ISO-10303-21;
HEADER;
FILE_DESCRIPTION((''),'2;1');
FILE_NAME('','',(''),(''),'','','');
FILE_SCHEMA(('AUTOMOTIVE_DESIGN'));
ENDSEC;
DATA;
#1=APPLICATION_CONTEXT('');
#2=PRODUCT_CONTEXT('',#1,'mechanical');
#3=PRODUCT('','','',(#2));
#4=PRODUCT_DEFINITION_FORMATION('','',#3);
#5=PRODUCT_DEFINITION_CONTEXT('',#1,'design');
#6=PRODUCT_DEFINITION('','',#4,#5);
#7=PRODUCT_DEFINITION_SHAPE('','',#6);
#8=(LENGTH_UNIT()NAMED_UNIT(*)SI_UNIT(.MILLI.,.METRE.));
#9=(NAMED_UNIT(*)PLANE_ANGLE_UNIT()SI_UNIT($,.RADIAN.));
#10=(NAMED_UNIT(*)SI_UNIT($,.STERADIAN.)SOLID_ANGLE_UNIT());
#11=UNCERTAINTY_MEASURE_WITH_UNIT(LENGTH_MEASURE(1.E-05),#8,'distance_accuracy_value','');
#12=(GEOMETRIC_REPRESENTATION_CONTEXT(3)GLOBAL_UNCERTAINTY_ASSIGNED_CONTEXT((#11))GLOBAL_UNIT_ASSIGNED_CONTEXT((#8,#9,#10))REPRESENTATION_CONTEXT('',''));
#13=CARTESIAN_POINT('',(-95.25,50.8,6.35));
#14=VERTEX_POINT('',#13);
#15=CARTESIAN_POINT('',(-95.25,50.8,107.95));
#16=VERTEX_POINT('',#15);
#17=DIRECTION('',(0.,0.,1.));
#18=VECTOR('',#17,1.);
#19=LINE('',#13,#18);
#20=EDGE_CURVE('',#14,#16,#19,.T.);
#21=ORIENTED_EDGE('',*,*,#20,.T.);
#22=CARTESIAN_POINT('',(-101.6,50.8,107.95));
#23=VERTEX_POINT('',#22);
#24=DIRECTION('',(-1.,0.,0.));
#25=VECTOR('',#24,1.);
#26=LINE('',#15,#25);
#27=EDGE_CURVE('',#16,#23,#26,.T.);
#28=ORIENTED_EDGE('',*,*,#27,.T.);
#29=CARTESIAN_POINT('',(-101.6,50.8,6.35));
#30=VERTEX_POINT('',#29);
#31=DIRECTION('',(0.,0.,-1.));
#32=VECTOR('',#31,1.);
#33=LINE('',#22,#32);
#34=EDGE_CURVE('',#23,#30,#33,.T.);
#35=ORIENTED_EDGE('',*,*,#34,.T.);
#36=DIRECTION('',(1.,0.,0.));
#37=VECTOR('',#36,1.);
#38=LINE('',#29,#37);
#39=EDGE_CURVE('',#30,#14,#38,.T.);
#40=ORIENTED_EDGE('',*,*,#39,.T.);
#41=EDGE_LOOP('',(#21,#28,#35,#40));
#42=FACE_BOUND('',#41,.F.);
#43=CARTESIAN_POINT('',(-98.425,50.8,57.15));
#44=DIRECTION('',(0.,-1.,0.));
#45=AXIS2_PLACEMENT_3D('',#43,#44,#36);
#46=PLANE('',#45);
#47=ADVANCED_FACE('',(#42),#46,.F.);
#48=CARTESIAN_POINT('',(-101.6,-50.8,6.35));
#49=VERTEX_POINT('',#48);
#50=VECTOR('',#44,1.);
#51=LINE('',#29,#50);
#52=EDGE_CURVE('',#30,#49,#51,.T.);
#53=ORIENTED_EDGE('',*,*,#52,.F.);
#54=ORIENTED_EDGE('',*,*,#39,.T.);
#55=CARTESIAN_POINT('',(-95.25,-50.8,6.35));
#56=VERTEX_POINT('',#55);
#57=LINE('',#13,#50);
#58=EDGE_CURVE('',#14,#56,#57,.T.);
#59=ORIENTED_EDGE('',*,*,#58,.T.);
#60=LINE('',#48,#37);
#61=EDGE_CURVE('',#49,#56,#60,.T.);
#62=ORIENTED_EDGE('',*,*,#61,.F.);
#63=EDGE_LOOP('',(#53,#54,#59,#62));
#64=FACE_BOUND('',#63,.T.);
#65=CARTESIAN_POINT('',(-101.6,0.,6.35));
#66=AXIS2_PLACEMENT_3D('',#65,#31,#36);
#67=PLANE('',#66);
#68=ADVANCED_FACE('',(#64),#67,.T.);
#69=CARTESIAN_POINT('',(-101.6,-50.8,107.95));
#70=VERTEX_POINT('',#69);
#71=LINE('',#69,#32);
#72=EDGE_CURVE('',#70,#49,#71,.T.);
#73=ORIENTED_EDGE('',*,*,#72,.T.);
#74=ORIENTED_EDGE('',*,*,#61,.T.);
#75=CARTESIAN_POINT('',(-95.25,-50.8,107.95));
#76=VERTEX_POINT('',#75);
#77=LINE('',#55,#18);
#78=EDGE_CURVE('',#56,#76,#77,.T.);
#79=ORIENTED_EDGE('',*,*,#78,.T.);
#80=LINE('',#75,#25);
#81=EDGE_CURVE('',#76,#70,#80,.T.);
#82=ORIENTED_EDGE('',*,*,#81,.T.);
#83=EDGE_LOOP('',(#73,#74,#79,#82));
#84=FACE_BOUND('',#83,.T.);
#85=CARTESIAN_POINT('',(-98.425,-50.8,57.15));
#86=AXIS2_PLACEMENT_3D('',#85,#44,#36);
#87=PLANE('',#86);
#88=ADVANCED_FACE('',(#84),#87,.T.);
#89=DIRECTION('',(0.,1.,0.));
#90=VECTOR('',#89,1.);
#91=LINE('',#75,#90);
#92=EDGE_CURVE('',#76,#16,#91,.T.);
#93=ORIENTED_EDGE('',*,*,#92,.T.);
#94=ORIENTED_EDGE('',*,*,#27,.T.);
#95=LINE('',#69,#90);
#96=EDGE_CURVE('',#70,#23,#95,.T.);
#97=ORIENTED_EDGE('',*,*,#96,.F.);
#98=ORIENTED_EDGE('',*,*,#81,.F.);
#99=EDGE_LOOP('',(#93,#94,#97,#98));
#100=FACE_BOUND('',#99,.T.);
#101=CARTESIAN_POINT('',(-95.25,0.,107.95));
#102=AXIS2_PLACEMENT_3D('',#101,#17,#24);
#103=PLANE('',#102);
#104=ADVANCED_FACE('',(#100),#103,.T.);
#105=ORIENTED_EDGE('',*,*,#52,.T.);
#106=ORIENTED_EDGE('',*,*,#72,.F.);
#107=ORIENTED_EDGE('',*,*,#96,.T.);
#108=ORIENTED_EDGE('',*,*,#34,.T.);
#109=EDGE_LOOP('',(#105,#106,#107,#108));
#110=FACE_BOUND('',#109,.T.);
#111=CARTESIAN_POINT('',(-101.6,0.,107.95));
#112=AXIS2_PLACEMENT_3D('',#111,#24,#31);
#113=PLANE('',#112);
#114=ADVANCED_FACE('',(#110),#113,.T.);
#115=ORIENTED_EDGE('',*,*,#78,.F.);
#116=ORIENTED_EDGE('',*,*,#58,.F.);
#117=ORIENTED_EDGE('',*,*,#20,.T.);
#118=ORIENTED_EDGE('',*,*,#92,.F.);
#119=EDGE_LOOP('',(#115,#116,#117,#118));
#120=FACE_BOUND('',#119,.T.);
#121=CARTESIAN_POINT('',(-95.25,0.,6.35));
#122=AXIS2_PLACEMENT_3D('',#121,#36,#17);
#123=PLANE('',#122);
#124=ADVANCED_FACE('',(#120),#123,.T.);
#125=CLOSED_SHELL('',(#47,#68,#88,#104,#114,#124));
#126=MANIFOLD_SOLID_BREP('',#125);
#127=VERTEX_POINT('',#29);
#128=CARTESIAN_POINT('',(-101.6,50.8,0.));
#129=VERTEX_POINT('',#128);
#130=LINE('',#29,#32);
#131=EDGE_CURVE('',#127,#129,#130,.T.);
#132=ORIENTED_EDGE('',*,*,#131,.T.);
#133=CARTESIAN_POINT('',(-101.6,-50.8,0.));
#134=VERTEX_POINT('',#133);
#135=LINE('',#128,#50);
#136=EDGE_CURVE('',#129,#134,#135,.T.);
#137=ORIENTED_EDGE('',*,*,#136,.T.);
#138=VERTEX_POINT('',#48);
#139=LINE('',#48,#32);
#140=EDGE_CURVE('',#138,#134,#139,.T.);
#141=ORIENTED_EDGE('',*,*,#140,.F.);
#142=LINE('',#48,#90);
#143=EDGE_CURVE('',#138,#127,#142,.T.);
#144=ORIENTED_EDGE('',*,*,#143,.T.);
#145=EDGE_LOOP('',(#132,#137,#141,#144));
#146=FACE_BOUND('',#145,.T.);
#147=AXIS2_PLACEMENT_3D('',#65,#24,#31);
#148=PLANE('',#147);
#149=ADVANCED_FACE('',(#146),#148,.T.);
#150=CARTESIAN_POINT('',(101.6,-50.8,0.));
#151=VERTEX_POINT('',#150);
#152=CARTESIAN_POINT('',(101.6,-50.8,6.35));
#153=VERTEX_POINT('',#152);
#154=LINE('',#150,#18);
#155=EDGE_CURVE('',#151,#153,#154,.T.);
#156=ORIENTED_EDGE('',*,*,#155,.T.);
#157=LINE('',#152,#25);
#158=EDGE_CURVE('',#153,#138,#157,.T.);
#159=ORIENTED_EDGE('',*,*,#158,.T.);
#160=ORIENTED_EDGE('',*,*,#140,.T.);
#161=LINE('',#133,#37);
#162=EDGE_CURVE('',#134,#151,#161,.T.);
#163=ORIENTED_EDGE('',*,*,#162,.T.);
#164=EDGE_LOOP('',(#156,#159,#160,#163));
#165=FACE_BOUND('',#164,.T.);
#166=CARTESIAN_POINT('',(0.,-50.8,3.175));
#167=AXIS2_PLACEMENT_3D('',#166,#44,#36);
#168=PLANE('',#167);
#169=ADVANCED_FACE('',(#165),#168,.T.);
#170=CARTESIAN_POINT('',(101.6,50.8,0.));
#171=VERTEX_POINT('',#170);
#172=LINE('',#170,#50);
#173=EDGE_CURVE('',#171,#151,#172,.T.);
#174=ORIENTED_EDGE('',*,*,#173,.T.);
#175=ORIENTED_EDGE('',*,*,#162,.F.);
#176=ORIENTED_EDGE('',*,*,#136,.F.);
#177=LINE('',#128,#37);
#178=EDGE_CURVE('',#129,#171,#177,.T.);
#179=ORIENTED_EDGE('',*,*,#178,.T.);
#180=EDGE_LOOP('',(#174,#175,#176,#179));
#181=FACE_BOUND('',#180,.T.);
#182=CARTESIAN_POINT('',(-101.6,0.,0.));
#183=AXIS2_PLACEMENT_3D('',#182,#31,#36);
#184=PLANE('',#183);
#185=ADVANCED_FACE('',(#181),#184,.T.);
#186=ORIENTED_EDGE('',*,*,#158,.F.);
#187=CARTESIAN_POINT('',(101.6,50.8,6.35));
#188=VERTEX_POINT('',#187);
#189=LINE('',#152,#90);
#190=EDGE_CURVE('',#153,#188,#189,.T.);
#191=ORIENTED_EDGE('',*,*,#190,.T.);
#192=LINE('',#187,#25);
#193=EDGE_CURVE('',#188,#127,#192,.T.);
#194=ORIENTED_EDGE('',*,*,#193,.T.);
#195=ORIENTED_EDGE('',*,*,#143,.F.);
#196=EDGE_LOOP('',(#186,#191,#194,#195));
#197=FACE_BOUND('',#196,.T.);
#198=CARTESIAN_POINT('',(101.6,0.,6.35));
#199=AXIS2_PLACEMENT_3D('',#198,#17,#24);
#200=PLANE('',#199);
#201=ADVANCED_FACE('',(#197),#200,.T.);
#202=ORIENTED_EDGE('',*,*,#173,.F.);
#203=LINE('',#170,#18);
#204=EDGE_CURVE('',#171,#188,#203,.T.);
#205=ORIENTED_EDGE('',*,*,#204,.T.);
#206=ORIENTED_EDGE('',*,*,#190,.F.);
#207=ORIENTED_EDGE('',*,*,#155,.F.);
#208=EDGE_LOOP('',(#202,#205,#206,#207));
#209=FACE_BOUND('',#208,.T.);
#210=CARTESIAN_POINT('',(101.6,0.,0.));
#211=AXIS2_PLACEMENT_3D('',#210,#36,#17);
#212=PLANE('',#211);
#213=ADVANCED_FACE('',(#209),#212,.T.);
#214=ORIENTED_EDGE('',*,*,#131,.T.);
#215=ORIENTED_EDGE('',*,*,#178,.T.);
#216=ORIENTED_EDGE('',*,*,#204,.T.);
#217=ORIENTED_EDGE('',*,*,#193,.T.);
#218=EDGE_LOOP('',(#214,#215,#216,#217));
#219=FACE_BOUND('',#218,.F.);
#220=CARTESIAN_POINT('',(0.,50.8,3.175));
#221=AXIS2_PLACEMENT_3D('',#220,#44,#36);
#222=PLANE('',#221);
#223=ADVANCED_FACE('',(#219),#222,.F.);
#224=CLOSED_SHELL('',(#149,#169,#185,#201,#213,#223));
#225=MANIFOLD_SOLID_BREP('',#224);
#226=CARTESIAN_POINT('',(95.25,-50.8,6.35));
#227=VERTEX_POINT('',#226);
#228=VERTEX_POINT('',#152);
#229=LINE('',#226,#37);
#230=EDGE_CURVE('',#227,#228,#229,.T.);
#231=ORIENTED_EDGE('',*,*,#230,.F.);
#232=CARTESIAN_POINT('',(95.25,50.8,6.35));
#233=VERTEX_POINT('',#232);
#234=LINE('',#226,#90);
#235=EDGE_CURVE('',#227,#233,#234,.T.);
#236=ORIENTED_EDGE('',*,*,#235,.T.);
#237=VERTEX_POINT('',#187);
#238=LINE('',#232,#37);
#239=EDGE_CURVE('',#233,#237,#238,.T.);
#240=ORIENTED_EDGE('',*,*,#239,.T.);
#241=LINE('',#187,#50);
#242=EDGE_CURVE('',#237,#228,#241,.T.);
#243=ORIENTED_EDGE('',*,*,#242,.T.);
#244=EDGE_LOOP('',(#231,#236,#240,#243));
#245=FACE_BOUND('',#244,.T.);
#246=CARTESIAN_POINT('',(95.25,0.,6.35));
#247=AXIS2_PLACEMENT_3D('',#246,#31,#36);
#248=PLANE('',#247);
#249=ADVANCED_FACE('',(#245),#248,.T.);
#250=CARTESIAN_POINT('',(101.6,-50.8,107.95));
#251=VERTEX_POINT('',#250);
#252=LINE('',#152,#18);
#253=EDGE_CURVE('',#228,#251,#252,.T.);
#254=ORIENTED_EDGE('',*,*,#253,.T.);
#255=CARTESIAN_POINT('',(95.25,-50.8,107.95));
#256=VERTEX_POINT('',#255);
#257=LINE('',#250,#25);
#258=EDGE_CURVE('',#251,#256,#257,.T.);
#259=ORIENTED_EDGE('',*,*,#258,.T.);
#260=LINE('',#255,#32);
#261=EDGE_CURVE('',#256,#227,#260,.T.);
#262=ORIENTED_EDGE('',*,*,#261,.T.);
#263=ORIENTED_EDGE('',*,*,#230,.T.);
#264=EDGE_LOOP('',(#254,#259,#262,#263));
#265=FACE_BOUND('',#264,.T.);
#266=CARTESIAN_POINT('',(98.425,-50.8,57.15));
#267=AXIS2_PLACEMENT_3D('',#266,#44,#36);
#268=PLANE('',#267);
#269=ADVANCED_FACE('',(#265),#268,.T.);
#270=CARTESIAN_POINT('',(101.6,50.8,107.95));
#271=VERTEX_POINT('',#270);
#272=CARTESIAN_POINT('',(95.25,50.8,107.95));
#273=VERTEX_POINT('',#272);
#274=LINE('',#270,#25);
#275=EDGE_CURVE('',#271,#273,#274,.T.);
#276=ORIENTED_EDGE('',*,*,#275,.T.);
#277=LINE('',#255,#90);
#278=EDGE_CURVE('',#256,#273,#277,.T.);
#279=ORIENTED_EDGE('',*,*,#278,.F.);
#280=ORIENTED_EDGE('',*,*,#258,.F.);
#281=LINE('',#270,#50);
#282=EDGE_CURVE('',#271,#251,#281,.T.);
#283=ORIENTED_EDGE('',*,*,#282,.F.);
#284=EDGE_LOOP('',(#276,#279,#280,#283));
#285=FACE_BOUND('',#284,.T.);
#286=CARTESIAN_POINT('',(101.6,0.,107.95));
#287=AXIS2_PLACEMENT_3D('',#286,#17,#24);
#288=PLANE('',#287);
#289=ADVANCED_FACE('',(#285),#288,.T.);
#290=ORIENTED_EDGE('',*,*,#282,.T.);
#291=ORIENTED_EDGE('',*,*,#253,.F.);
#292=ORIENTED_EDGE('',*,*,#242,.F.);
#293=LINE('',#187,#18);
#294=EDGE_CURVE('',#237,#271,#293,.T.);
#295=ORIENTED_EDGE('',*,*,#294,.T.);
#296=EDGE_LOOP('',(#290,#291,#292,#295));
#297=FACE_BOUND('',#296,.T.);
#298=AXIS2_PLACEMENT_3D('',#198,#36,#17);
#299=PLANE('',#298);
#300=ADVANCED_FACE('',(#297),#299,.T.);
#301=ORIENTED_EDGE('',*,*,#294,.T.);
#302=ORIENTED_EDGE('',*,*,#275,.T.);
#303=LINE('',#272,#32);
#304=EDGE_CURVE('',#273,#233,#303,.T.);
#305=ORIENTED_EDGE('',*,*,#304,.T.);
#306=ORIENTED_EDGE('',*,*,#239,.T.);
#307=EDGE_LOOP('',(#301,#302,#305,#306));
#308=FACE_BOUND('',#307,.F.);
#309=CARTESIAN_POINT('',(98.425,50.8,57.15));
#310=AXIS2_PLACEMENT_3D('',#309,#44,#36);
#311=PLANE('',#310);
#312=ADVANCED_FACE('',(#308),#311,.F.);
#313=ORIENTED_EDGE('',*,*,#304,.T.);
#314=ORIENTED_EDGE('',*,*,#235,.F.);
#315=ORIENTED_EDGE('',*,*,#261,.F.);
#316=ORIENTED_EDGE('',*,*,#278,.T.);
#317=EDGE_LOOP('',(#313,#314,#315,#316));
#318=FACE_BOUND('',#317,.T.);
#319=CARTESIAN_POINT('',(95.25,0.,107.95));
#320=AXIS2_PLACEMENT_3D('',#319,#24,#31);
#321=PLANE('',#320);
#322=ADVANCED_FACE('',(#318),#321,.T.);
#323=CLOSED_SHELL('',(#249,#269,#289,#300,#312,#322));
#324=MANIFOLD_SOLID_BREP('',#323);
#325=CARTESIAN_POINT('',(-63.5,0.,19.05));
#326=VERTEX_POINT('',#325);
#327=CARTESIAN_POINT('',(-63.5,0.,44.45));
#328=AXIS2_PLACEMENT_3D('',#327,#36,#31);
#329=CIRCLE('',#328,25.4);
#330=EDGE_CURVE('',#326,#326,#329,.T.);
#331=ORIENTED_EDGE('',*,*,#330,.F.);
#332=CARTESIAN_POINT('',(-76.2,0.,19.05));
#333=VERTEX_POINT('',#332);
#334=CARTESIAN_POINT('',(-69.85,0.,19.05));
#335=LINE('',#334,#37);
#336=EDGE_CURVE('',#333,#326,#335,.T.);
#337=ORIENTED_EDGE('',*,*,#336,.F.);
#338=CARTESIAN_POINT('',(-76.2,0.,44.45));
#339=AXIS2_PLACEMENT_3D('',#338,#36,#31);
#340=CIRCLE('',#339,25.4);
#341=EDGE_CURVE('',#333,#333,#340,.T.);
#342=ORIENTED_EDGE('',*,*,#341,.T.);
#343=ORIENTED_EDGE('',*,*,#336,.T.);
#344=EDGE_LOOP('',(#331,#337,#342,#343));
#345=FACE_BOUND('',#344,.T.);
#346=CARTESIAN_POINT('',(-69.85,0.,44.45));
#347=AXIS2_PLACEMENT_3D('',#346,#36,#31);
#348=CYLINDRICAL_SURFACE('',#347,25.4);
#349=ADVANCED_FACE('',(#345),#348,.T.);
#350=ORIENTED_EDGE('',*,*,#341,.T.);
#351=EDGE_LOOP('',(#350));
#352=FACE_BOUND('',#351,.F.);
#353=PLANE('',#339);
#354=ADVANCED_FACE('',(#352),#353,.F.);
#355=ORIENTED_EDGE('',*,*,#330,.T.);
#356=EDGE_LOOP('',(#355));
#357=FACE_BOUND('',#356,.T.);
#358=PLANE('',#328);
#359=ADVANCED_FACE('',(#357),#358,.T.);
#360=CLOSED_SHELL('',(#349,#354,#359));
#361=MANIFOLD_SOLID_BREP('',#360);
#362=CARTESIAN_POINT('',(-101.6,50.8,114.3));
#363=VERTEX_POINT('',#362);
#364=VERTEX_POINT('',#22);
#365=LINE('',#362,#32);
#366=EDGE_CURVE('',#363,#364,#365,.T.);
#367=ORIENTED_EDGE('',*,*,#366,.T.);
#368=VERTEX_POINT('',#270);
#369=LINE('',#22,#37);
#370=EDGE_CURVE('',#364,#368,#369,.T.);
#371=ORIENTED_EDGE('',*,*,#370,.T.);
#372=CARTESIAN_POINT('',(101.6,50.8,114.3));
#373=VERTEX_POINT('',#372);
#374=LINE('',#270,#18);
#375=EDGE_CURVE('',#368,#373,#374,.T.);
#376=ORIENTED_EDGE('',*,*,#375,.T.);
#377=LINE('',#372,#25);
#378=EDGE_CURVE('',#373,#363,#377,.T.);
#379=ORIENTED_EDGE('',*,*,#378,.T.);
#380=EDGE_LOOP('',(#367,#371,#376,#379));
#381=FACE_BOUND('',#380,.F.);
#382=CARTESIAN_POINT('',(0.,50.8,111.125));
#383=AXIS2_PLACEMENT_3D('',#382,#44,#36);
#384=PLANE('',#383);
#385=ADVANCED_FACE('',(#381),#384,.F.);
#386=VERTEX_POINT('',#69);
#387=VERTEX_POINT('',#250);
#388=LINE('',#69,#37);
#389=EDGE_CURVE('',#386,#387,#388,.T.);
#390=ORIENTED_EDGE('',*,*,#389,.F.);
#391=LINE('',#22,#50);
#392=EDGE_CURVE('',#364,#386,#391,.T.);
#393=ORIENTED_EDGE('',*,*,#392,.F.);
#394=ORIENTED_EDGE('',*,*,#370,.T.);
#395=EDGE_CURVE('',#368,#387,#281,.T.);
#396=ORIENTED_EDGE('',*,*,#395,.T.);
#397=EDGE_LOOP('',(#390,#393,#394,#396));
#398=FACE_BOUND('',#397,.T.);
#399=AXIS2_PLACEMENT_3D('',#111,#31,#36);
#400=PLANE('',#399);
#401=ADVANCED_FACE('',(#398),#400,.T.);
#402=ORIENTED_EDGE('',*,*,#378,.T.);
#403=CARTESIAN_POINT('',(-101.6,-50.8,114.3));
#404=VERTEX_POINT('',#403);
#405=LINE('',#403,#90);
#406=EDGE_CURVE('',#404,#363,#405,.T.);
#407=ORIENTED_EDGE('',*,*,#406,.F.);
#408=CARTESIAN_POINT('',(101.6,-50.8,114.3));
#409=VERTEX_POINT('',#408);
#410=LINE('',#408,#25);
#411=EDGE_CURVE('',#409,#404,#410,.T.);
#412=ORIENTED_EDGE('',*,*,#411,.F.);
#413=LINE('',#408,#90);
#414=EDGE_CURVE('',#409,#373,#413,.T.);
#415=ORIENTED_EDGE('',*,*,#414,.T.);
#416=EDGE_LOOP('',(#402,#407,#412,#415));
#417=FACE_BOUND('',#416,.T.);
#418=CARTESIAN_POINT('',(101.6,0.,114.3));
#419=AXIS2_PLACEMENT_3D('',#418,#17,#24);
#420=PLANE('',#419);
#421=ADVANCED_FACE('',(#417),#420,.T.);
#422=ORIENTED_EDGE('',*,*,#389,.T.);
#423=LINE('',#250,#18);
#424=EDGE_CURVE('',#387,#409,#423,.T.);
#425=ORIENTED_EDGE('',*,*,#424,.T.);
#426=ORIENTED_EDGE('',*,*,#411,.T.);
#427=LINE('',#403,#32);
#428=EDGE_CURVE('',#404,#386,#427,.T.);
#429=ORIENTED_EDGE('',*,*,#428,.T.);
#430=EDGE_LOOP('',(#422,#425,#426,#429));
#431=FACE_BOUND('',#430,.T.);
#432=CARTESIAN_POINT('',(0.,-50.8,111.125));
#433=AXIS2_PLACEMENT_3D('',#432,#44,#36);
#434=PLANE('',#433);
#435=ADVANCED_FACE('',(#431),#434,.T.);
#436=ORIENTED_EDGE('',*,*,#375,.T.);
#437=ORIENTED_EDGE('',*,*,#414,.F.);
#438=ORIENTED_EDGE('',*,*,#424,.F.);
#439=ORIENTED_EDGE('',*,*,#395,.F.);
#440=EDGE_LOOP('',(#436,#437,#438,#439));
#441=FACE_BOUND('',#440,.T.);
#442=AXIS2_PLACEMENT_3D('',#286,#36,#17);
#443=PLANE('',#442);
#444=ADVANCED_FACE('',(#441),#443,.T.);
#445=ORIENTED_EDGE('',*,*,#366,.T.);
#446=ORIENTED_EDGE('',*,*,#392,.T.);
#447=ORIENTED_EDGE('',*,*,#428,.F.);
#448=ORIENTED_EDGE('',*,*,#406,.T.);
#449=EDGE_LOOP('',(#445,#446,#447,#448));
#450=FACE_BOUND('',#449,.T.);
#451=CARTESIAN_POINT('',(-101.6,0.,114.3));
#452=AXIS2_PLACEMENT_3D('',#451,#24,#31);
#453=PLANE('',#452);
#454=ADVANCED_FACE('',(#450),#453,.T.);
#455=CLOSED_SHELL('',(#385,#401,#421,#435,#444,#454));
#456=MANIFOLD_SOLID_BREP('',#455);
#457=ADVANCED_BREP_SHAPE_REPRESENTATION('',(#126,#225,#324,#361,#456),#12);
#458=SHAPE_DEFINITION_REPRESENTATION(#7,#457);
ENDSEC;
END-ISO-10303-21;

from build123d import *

# Parameters (mm, degrees)
F2_DEPTH      = 50.8
F3_DEPTH      = 50.8
F3_DEPTH_BACK = 50.8
F1_W          = 12.7
F1_H          = 25.4


with BuildPart() as f2:
    # F1 (on Front) → F2 (new body, symmetric)
    with BuildSketch(Plane.XZ):
        Polygon((-101.6, 114.3), (-101.6, 107.95), (-95.25, 107.95), (95.25, 107.95), (101.6, 107.95), (101.6, 114.3), align=None)
    extrude(amount=F2_DEPTH, both=True)


with BuildPart() as f2b:
    # F1 (on Front) → F2, piece 2 (new body, symmetric)
    with BuildSketch(Plane.XZ):
        Polygon((-101.6, 6.35), (-101.6, 0), (101.6, 0), (101.6, 6.35), (95.25, 6.35), (-95.25, 6.35), align=None)
    extrude(amount=F2_DEPTH, both=True)


with BuildPart() as f3:
    # F1 (on Front) → F3 (new body, two sides)
    with BuildSketch(Plane.XZ) as f3_sk:
        Polygon((-101.6, 107.95), (-101.6, 6.35), (-95.25, 6.35), (-95.25, 57.15), (-95.25, 107.95), align=None)
    extrude(amount=F3_DEPTH)
    extrude(f3_sk.sketch, amount=-F3_DEPTH_BACK)


with BuildPart() as f3b:
    # F1 (on Front) → F3, piece 2 (new body, two sides)
    with BuildSketch(Plane.XZ) as f3_2_sk:
        Polygon((95.25, 6.35), (101.6, 6.35), (101.6, 107.95), (95.25, 107.95), (95.25, 57.15), align=None)
    extrude(amount=F3_DEPTH)
    extrude(f3_2_sk.sketch, amount=-F3_DEPTH_BACK)


with BuildPart() as f4:
    # F1 (on Front) → F4 (revolve)
    with BuildSketch(Plane.XZ):
        with Locations((-69.85, 31.75)):
            Rectangle(F1_W, F1_H)
    revolve(axis=Axis((-69.85, 0, 44.45), (1, 0, 0)))


solid = Compound([f2.part, f2b.part, f3.part, f3b.part, f4.part])
